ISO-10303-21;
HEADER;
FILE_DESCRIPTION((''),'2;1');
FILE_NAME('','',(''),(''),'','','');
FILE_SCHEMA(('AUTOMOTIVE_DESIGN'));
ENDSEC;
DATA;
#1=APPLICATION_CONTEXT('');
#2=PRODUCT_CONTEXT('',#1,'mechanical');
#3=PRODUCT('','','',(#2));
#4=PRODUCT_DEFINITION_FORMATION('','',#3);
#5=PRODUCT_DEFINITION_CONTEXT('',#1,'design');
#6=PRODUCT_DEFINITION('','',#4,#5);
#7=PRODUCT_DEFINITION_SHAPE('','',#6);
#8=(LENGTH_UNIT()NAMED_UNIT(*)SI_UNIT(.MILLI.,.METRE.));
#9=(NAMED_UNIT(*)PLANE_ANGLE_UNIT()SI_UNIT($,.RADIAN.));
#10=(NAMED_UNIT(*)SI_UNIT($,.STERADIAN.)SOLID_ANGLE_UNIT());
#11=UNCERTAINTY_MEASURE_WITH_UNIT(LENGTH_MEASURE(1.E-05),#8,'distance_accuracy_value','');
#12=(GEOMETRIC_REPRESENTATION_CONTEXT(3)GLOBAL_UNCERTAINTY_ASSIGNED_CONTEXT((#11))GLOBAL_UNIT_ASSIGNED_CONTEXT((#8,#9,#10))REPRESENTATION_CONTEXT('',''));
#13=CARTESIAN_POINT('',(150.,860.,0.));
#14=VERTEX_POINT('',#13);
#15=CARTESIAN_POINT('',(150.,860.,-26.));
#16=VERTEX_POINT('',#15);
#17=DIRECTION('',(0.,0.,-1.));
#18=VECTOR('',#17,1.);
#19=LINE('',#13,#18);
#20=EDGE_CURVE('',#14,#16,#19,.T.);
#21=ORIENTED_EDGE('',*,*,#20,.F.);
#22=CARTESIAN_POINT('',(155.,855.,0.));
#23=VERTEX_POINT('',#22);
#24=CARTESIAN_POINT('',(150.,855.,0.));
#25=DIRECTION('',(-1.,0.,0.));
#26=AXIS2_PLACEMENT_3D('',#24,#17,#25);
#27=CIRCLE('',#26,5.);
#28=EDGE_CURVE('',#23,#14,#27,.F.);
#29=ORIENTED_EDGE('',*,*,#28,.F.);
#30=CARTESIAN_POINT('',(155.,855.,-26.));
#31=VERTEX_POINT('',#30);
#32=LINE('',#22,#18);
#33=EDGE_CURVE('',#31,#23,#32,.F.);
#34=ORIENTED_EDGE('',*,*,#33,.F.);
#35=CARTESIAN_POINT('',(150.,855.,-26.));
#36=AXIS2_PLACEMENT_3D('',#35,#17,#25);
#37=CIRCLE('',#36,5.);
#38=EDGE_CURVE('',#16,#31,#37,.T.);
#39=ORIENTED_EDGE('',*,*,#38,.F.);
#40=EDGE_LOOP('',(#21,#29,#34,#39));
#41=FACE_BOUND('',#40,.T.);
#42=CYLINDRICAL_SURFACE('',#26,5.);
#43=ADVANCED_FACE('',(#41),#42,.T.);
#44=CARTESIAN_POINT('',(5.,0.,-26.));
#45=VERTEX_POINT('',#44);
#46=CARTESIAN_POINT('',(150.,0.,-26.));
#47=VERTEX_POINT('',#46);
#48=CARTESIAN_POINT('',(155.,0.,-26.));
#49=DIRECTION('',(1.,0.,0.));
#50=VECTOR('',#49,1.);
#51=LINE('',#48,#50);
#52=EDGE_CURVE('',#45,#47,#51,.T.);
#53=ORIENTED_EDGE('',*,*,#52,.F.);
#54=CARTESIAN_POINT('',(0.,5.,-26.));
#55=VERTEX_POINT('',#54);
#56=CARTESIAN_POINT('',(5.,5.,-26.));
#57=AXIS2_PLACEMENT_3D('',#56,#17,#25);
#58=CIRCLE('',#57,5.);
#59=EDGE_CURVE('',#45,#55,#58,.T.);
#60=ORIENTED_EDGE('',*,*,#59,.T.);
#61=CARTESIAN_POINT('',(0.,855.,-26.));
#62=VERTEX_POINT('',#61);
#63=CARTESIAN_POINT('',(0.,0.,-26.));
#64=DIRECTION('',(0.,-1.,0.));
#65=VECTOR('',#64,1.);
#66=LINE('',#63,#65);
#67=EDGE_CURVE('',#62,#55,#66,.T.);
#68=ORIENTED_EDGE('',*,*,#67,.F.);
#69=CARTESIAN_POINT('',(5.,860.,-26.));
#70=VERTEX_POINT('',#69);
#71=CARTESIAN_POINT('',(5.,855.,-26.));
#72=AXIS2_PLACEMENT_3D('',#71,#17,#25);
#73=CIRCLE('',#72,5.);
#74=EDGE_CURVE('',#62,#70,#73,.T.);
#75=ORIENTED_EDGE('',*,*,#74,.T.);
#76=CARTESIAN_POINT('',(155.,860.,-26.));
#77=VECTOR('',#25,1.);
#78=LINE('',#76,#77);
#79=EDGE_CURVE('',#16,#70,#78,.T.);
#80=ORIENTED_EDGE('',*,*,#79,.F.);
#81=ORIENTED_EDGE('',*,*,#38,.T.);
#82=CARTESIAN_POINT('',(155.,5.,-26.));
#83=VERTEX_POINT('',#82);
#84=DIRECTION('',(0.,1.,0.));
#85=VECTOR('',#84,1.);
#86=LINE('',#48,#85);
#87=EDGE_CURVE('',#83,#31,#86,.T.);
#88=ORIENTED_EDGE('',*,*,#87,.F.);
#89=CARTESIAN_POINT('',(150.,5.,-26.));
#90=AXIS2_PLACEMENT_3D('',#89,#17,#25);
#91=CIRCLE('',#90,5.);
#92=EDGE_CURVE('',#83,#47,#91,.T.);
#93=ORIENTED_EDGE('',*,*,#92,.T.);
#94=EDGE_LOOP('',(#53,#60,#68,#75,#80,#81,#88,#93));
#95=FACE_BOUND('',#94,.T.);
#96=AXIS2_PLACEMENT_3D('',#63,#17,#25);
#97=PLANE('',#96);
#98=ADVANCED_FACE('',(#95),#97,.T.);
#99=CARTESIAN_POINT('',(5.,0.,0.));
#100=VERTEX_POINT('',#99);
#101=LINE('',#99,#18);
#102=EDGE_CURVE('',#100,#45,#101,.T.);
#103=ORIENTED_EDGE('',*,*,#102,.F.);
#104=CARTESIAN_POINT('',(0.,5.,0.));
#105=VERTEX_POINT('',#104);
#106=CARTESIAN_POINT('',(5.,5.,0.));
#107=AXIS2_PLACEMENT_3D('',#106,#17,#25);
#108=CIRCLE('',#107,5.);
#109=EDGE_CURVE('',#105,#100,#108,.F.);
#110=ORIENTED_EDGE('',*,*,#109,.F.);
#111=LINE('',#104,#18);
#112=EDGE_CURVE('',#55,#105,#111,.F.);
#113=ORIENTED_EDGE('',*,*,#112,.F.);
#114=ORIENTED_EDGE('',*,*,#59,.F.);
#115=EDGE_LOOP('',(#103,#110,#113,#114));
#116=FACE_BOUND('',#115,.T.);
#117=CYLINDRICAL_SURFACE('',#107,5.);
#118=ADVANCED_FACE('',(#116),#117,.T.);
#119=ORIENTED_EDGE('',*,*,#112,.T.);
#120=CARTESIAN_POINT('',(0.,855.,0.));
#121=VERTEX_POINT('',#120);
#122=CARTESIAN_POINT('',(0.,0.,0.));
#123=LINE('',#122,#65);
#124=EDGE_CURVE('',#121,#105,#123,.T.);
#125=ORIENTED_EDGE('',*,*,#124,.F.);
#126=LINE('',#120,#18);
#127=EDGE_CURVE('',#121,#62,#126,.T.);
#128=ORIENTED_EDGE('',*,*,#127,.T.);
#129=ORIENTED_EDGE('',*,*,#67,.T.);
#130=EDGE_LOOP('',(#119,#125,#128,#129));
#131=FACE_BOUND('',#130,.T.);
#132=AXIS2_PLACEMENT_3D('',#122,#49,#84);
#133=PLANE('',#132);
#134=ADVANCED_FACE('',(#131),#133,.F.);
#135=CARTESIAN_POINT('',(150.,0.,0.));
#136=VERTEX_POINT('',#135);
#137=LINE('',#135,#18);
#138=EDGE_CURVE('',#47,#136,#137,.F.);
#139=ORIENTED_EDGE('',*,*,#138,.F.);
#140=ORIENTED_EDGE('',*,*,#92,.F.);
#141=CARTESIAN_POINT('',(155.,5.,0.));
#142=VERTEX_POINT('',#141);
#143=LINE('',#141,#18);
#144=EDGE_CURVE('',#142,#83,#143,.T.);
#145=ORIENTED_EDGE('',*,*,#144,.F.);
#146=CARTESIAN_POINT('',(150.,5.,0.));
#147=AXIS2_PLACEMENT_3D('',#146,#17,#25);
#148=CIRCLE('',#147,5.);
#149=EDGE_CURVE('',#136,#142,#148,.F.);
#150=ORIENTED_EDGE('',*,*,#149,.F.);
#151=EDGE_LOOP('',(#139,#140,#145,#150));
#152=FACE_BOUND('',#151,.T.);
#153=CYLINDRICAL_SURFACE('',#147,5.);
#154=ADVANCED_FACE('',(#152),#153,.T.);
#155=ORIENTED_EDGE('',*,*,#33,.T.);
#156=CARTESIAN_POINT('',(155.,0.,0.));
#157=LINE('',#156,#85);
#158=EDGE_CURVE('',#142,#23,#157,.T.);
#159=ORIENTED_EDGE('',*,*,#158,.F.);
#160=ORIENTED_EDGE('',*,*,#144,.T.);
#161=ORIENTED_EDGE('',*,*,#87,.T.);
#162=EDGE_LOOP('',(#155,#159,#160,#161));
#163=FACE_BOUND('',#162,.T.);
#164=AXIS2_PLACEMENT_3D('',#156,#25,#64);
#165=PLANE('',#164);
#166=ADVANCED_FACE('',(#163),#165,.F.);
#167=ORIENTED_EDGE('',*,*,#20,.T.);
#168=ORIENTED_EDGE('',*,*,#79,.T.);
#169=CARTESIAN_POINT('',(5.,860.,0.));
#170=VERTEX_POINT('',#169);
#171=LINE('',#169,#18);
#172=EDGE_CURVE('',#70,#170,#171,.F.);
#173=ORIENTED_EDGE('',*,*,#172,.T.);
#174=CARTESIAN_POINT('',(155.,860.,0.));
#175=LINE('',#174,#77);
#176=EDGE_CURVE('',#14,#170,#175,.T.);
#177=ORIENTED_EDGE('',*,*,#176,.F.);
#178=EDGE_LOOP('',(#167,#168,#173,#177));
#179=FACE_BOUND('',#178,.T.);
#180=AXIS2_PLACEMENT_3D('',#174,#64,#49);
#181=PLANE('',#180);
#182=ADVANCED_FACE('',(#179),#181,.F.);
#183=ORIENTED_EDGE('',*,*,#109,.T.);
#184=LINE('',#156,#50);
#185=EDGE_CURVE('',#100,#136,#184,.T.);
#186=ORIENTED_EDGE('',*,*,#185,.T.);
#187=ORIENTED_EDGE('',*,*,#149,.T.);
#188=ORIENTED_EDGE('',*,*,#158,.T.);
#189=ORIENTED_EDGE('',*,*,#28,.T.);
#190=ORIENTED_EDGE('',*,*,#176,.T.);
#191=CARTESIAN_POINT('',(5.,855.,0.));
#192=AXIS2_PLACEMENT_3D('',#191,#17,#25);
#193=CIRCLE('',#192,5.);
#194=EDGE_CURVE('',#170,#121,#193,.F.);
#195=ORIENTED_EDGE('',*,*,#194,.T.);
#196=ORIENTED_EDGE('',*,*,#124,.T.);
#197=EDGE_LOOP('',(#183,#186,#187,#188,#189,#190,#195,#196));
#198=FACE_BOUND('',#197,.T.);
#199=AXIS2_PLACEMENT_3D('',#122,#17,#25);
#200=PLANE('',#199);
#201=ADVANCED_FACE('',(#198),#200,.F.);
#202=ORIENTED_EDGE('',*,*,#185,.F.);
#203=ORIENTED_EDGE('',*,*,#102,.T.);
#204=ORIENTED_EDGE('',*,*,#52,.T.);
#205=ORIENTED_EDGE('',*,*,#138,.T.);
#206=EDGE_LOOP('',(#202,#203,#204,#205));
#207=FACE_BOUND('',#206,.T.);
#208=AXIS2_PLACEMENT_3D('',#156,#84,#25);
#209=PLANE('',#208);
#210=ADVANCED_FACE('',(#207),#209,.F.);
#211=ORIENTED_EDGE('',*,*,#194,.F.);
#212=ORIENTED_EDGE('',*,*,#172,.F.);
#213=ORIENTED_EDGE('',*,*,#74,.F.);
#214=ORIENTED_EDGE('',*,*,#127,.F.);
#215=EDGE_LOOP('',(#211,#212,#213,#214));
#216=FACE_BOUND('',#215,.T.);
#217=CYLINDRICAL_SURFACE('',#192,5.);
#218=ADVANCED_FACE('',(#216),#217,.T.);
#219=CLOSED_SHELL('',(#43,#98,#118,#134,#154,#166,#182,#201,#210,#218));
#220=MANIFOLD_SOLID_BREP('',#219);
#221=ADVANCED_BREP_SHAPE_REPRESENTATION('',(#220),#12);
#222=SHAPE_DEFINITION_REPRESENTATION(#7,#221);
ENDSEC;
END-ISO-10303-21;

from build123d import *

# Parameters (mm, degrees)
SKETCH1_W           = 155
SKETCH1_H           = 860
BOSS_EXTRUDE1_DEPTH = 26
FILLET1_R           = 5
FILLET2_R           = 5
FILLET3_R           = 5
FILLET4_R           = 5


with BuildPart() as part:
    # Sketch1 → Boss-Extrude1 (new body)
    with BuildSketch(Plane.XY):
        with Locations((77.5, 430)):
            Rectangle(SKETCH1_W, SKETCH1_H)
    extrude(amount=BOSS_EXTRUDE1_DEPTH)

    # Fillet1
    fillet1_edges = [part.edges().sort_by_distance(p)[0] for p in [
        (0, 860, 13),
    ]]
    fillet(fillet1_edges, radius=FILLET1_R)

    # Fillet2
    fillet2_edges = [part.edges().sort_by_distance(p)[0] for p in [
        (155, 860, 13),
    ]]
    fillet(fillet2_edges, radius=FILLET2_R)

    # Fillet3
    fillet3_edges = [part.edges().sort_by_distance(p)[0] for p in [
        (155, 0, 13),
    ]]
    fillet(fillet3_edges, radius=FILLET3_R)

    # Fillet4
    fillet4_edges = [part.edges().sort_by_distance(p)[0] for p in [
        (0, 0, 13),
    ]]
    fillet(fillet4_edges, radius=FILLET4_R)


with BuildPart() as part_1:
    # Body-Move/Copy1: moved
    add(part.part.moved(Location((0, 0, -19.05))))


with BuildPart() as part_2:
    # Body-Move/Copy2: moved
    add(part_1.part.moved(Location((0, 0, -6.95))))


solid = part_2.part
